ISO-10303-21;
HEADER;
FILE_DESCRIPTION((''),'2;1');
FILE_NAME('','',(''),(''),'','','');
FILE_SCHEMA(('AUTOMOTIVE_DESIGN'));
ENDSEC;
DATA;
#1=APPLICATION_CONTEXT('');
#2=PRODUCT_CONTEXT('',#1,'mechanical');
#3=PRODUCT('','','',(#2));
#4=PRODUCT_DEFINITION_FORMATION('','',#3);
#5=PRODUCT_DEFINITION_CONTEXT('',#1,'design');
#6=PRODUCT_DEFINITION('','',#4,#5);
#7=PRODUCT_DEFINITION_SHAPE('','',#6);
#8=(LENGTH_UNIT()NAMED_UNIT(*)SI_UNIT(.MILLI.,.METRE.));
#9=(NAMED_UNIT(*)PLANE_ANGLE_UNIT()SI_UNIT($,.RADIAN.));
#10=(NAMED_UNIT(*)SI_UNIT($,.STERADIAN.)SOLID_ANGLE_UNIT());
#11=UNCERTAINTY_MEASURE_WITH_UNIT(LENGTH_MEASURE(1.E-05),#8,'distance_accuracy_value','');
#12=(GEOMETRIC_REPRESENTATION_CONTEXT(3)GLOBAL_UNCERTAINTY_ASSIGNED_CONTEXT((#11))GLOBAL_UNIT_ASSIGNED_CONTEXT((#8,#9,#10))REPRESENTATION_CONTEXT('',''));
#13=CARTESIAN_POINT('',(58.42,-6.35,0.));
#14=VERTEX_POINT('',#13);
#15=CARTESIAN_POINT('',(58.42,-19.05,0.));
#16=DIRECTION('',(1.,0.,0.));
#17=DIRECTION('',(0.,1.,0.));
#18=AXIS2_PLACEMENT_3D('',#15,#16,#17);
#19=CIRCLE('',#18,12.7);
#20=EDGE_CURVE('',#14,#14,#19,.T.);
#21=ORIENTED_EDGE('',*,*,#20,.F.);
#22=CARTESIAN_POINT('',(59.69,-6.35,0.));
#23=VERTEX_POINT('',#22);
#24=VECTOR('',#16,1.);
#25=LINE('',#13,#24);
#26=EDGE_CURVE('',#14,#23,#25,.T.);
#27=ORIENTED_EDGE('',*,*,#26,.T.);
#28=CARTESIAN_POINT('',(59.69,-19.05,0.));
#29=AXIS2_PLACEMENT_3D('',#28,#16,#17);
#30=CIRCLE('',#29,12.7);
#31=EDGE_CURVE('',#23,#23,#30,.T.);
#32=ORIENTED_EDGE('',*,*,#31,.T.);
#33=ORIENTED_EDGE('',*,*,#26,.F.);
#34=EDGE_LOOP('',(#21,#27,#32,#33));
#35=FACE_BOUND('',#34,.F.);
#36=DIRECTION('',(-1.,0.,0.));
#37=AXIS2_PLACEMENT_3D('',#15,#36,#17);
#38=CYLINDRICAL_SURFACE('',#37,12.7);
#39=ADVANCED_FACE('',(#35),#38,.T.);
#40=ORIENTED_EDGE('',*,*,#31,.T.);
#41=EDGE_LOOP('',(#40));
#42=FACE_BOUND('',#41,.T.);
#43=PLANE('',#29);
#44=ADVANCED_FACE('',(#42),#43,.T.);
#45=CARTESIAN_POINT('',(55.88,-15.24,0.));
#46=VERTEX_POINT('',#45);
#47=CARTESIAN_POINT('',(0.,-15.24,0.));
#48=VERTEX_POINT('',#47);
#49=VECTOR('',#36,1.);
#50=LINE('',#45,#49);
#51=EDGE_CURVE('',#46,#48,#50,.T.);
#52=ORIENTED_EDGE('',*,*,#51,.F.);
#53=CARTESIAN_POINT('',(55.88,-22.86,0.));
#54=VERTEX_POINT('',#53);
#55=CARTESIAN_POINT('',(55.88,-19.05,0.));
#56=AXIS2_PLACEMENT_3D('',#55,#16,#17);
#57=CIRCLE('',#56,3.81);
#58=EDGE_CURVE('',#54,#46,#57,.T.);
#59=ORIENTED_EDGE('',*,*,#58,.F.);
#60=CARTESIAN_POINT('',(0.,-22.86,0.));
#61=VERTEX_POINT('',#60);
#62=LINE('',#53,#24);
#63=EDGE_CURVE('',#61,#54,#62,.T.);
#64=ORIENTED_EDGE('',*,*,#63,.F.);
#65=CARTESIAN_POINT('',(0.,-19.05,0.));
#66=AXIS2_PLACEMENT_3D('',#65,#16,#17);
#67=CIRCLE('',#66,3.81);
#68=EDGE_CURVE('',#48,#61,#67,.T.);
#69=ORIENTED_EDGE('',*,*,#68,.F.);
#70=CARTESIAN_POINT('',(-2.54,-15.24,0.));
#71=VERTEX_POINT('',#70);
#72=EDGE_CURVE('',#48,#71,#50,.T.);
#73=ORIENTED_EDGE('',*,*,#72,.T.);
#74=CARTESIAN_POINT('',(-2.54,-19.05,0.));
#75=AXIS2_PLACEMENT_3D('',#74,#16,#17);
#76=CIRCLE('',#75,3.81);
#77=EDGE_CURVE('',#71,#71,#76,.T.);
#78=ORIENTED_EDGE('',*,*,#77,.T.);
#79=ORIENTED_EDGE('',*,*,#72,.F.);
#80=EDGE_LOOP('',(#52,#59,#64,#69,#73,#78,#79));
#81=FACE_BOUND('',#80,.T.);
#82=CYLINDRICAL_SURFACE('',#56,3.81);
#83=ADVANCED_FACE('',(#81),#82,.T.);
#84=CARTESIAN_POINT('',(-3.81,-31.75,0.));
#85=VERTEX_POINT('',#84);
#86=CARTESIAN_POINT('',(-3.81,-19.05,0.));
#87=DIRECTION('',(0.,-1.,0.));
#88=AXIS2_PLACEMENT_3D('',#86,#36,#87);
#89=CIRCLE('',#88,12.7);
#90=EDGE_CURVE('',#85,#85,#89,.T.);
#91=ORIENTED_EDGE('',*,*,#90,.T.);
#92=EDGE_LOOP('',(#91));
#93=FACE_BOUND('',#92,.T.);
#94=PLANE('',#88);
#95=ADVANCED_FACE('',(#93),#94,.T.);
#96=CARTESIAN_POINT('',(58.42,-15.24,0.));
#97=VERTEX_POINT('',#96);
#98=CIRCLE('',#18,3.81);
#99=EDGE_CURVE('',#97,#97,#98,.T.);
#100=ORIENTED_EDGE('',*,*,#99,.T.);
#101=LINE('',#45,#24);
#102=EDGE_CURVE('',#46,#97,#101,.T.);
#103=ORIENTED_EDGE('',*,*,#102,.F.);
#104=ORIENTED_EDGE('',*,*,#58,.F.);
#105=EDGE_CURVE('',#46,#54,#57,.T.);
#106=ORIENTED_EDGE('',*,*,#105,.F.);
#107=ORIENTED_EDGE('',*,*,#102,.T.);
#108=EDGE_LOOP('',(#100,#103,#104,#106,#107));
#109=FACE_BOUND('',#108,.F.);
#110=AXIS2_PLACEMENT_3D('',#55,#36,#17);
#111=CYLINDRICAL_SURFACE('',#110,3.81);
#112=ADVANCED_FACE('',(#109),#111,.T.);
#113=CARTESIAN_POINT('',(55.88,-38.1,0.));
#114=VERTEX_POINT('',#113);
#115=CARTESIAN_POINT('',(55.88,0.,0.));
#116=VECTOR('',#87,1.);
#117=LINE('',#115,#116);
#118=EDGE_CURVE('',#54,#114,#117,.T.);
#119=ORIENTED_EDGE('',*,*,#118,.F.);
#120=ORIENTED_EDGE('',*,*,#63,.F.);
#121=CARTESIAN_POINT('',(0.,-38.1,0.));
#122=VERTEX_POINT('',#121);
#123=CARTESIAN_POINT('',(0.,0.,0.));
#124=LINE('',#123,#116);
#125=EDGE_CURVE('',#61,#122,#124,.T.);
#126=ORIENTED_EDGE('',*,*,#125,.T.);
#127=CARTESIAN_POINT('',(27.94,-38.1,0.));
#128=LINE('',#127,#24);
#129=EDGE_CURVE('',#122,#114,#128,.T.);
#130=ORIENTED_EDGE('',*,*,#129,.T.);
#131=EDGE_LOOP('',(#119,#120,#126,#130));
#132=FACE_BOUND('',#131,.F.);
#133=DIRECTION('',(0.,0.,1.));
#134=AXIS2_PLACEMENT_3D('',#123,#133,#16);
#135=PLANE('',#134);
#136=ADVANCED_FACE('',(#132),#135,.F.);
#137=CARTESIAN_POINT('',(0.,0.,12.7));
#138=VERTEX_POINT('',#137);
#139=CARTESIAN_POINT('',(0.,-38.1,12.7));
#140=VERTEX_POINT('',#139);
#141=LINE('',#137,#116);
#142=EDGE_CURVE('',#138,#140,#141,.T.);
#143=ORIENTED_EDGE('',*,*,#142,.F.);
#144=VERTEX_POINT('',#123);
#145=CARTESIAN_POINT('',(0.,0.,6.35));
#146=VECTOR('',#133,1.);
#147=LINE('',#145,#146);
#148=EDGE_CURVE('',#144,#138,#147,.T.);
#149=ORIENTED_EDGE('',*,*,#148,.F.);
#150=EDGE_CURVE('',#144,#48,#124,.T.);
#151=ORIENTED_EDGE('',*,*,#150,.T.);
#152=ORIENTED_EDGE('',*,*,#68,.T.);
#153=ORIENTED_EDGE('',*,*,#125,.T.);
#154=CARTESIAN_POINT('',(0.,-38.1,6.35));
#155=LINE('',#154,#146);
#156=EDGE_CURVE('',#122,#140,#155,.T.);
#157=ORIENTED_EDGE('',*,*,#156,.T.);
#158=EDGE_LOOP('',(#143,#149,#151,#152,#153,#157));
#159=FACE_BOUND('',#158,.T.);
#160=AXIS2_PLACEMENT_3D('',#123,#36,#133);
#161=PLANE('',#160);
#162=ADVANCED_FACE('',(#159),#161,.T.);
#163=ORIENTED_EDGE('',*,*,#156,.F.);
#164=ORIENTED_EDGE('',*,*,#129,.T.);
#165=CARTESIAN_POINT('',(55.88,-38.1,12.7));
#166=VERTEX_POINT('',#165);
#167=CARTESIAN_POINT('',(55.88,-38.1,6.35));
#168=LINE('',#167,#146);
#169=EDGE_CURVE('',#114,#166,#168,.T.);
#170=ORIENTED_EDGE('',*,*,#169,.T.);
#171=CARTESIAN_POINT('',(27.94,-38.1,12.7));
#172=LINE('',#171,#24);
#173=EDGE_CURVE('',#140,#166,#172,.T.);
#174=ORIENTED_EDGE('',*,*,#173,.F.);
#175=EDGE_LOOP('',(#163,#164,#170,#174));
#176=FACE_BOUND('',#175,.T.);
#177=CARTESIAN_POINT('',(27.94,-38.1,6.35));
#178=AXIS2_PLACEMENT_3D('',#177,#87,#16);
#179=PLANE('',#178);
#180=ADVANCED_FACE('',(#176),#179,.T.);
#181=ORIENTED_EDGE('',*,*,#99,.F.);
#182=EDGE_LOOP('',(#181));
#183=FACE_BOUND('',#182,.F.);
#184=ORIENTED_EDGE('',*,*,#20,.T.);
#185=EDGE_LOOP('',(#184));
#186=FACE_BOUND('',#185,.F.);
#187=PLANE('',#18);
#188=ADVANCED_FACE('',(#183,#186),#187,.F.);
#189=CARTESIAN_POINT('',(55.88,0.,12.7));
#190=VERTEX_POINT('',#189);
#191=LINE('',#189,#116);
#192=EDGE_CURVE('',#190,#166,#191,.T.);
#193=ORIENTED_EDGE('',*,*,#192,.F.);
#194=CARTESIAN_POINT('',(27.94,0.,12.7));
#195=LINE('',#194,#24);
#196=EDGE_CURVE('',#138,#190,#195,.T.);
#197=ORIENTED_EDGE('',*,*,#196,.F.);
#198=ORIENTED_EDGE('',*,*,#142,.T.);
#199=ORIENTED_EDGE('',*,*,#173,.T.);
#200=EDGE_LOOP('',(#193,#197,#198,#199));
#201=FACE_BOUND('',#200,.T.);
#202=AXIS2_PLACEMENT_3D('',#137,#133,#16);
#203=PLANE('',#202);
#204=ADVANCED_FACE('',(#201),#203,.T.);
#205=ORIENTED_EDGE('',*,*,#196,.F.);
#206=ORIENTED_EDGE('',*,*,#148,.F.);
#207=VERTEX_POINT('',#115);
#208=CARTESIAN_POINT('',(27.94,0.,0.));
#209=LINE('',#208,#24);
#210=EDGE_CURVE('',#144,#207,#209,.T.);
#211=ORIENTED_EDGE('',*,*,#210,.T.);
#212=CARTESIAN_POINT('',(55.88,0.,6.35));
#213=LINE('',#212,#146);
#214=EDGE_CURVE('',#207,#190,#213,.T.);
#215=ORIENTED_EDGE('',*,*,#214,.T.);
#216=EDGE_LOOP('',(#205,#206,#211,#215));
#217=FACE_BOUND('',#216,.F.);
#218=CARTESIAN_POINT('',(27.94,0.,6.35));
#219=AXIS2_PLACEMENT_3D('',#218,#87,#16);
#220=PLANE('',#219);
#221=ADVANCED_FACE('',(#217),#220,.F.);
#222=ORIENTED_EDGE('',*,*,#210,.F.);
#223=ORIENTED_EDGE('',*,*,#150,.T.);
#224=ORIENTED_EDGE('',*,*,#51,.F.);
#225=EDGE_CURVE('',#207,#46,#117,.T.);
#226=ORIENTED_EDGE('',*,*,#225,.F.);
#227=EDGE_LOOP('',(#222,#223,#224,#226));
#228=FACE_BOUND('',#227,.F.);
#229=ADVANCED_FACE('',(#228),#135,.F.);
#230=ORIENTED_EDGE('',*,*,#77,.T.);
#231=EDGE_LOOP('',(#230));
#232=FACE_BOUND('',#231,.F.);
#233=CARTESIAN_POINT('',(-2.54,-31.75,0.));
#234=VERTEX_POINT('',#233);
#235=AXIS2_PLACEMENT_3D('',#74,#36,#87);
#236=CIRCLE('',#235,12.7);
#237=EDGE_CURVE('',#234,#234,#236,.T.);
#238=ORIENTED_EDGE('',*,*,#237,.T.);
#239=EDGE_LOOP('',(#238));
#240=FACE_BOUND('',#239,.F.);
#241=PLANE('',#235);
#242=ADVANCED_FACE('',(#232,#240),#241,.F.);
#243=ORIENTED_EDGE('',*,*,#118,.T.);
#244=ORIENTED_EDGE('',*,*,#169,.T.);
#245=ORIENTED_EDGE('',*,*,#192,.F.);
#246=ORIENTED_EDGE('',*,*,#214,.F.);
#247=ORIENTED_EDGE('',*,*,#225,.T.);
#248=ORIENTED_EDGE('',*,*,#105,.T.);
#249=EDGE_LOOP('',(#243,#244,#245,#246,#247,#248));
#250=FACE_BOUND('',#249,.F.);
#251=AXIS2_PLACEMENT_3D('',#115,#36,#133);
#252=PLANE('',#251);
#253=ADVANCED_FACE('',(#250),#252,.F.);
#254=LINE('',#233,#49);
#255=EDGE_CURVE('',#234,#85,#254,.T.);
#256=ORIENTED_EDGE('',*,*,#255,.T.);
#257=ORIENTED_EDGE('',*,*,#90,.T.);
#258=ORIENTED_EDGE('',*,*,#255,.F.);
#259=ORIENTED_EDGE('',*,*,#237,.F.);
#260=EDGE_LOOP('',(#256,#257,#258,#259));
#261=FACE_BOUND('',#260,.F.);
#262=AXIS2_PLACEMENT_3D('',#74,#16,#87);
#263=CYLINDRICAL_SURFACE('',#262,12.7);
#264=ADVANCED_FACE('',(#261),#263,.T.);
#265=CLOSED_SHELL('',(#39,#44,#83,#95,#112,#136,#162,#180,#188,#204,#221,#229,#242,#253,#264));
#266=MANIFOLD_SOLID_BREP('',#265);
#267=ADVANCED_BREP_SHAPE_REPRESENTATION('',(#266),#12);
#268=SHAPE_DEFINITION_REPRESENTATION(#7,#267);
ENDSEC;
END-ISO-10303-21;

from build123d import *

# Parameters (mm, degrees)
F0_W     = 55.88
F0_H     = 12.7
F1_DEPTH = 38.1
F3_DEPTH = 58.42
F2_R     = 3.81
F4_DEPTH = 2.54
F5_R     = 12.7
F6_DEPTH = 1.27
F7_R     = 12.7
F8_DEPTH = 1.27


with BuildPart() as f1:
    # F0 (on Front) → F1 (new body)
    with BuildSketch(Plane.XZ):
        with Locations((27.94, 6.35)):
            Rectangle(F0_W, F0_H)
    extrude(amount=F1_DEPTH)

    # F2 (on face) → F3 (join)
    with BuildSketch(Plane.YZ.offset(55.88)):
        with BuildLine():
            ThreePointArc((-22.86, 0), (-19.05, -3.81), (-15.24, 0))
            Line((-15.24, 0), (-22.86, 0))
        make_face()
        with BuildLine():
            Line((-22.86, 0), (-15.24, 0))
            ThreePointArc((-15.24, 0), (-19.05, 3.81), (-22.86, 0))
        make_face()
    extrude(amount=-F3_DEPTH)

    # F2 (on face) → F4 (join)
    with BuildSketch(Plane.YZ.offset(55.88)):
        with Locations((-19.05, 0)):
            Circle(F2_R)
    extrude(amount=F4_DEPTH)

    # F5 (on face) → F6 (join)
    with BuildSketch(Plane(origin=(-2.54, 0, 0), x_dir=(0, -1, 0), z_dir=(-1, 0, 0))):
        with Locations((19.05, 0)):
            Circle(F5_R)
    extrude(amount=F6_DEPTH)

    # F7 (on face) → F8 (join)
    with BuildSketch(Plane.YZ.offset(58.42)):
        with Locations((-19.05, 0)):
            Circle(F7_R)
    extrude(amount=F8_DEPTH)


solid = f1.part
